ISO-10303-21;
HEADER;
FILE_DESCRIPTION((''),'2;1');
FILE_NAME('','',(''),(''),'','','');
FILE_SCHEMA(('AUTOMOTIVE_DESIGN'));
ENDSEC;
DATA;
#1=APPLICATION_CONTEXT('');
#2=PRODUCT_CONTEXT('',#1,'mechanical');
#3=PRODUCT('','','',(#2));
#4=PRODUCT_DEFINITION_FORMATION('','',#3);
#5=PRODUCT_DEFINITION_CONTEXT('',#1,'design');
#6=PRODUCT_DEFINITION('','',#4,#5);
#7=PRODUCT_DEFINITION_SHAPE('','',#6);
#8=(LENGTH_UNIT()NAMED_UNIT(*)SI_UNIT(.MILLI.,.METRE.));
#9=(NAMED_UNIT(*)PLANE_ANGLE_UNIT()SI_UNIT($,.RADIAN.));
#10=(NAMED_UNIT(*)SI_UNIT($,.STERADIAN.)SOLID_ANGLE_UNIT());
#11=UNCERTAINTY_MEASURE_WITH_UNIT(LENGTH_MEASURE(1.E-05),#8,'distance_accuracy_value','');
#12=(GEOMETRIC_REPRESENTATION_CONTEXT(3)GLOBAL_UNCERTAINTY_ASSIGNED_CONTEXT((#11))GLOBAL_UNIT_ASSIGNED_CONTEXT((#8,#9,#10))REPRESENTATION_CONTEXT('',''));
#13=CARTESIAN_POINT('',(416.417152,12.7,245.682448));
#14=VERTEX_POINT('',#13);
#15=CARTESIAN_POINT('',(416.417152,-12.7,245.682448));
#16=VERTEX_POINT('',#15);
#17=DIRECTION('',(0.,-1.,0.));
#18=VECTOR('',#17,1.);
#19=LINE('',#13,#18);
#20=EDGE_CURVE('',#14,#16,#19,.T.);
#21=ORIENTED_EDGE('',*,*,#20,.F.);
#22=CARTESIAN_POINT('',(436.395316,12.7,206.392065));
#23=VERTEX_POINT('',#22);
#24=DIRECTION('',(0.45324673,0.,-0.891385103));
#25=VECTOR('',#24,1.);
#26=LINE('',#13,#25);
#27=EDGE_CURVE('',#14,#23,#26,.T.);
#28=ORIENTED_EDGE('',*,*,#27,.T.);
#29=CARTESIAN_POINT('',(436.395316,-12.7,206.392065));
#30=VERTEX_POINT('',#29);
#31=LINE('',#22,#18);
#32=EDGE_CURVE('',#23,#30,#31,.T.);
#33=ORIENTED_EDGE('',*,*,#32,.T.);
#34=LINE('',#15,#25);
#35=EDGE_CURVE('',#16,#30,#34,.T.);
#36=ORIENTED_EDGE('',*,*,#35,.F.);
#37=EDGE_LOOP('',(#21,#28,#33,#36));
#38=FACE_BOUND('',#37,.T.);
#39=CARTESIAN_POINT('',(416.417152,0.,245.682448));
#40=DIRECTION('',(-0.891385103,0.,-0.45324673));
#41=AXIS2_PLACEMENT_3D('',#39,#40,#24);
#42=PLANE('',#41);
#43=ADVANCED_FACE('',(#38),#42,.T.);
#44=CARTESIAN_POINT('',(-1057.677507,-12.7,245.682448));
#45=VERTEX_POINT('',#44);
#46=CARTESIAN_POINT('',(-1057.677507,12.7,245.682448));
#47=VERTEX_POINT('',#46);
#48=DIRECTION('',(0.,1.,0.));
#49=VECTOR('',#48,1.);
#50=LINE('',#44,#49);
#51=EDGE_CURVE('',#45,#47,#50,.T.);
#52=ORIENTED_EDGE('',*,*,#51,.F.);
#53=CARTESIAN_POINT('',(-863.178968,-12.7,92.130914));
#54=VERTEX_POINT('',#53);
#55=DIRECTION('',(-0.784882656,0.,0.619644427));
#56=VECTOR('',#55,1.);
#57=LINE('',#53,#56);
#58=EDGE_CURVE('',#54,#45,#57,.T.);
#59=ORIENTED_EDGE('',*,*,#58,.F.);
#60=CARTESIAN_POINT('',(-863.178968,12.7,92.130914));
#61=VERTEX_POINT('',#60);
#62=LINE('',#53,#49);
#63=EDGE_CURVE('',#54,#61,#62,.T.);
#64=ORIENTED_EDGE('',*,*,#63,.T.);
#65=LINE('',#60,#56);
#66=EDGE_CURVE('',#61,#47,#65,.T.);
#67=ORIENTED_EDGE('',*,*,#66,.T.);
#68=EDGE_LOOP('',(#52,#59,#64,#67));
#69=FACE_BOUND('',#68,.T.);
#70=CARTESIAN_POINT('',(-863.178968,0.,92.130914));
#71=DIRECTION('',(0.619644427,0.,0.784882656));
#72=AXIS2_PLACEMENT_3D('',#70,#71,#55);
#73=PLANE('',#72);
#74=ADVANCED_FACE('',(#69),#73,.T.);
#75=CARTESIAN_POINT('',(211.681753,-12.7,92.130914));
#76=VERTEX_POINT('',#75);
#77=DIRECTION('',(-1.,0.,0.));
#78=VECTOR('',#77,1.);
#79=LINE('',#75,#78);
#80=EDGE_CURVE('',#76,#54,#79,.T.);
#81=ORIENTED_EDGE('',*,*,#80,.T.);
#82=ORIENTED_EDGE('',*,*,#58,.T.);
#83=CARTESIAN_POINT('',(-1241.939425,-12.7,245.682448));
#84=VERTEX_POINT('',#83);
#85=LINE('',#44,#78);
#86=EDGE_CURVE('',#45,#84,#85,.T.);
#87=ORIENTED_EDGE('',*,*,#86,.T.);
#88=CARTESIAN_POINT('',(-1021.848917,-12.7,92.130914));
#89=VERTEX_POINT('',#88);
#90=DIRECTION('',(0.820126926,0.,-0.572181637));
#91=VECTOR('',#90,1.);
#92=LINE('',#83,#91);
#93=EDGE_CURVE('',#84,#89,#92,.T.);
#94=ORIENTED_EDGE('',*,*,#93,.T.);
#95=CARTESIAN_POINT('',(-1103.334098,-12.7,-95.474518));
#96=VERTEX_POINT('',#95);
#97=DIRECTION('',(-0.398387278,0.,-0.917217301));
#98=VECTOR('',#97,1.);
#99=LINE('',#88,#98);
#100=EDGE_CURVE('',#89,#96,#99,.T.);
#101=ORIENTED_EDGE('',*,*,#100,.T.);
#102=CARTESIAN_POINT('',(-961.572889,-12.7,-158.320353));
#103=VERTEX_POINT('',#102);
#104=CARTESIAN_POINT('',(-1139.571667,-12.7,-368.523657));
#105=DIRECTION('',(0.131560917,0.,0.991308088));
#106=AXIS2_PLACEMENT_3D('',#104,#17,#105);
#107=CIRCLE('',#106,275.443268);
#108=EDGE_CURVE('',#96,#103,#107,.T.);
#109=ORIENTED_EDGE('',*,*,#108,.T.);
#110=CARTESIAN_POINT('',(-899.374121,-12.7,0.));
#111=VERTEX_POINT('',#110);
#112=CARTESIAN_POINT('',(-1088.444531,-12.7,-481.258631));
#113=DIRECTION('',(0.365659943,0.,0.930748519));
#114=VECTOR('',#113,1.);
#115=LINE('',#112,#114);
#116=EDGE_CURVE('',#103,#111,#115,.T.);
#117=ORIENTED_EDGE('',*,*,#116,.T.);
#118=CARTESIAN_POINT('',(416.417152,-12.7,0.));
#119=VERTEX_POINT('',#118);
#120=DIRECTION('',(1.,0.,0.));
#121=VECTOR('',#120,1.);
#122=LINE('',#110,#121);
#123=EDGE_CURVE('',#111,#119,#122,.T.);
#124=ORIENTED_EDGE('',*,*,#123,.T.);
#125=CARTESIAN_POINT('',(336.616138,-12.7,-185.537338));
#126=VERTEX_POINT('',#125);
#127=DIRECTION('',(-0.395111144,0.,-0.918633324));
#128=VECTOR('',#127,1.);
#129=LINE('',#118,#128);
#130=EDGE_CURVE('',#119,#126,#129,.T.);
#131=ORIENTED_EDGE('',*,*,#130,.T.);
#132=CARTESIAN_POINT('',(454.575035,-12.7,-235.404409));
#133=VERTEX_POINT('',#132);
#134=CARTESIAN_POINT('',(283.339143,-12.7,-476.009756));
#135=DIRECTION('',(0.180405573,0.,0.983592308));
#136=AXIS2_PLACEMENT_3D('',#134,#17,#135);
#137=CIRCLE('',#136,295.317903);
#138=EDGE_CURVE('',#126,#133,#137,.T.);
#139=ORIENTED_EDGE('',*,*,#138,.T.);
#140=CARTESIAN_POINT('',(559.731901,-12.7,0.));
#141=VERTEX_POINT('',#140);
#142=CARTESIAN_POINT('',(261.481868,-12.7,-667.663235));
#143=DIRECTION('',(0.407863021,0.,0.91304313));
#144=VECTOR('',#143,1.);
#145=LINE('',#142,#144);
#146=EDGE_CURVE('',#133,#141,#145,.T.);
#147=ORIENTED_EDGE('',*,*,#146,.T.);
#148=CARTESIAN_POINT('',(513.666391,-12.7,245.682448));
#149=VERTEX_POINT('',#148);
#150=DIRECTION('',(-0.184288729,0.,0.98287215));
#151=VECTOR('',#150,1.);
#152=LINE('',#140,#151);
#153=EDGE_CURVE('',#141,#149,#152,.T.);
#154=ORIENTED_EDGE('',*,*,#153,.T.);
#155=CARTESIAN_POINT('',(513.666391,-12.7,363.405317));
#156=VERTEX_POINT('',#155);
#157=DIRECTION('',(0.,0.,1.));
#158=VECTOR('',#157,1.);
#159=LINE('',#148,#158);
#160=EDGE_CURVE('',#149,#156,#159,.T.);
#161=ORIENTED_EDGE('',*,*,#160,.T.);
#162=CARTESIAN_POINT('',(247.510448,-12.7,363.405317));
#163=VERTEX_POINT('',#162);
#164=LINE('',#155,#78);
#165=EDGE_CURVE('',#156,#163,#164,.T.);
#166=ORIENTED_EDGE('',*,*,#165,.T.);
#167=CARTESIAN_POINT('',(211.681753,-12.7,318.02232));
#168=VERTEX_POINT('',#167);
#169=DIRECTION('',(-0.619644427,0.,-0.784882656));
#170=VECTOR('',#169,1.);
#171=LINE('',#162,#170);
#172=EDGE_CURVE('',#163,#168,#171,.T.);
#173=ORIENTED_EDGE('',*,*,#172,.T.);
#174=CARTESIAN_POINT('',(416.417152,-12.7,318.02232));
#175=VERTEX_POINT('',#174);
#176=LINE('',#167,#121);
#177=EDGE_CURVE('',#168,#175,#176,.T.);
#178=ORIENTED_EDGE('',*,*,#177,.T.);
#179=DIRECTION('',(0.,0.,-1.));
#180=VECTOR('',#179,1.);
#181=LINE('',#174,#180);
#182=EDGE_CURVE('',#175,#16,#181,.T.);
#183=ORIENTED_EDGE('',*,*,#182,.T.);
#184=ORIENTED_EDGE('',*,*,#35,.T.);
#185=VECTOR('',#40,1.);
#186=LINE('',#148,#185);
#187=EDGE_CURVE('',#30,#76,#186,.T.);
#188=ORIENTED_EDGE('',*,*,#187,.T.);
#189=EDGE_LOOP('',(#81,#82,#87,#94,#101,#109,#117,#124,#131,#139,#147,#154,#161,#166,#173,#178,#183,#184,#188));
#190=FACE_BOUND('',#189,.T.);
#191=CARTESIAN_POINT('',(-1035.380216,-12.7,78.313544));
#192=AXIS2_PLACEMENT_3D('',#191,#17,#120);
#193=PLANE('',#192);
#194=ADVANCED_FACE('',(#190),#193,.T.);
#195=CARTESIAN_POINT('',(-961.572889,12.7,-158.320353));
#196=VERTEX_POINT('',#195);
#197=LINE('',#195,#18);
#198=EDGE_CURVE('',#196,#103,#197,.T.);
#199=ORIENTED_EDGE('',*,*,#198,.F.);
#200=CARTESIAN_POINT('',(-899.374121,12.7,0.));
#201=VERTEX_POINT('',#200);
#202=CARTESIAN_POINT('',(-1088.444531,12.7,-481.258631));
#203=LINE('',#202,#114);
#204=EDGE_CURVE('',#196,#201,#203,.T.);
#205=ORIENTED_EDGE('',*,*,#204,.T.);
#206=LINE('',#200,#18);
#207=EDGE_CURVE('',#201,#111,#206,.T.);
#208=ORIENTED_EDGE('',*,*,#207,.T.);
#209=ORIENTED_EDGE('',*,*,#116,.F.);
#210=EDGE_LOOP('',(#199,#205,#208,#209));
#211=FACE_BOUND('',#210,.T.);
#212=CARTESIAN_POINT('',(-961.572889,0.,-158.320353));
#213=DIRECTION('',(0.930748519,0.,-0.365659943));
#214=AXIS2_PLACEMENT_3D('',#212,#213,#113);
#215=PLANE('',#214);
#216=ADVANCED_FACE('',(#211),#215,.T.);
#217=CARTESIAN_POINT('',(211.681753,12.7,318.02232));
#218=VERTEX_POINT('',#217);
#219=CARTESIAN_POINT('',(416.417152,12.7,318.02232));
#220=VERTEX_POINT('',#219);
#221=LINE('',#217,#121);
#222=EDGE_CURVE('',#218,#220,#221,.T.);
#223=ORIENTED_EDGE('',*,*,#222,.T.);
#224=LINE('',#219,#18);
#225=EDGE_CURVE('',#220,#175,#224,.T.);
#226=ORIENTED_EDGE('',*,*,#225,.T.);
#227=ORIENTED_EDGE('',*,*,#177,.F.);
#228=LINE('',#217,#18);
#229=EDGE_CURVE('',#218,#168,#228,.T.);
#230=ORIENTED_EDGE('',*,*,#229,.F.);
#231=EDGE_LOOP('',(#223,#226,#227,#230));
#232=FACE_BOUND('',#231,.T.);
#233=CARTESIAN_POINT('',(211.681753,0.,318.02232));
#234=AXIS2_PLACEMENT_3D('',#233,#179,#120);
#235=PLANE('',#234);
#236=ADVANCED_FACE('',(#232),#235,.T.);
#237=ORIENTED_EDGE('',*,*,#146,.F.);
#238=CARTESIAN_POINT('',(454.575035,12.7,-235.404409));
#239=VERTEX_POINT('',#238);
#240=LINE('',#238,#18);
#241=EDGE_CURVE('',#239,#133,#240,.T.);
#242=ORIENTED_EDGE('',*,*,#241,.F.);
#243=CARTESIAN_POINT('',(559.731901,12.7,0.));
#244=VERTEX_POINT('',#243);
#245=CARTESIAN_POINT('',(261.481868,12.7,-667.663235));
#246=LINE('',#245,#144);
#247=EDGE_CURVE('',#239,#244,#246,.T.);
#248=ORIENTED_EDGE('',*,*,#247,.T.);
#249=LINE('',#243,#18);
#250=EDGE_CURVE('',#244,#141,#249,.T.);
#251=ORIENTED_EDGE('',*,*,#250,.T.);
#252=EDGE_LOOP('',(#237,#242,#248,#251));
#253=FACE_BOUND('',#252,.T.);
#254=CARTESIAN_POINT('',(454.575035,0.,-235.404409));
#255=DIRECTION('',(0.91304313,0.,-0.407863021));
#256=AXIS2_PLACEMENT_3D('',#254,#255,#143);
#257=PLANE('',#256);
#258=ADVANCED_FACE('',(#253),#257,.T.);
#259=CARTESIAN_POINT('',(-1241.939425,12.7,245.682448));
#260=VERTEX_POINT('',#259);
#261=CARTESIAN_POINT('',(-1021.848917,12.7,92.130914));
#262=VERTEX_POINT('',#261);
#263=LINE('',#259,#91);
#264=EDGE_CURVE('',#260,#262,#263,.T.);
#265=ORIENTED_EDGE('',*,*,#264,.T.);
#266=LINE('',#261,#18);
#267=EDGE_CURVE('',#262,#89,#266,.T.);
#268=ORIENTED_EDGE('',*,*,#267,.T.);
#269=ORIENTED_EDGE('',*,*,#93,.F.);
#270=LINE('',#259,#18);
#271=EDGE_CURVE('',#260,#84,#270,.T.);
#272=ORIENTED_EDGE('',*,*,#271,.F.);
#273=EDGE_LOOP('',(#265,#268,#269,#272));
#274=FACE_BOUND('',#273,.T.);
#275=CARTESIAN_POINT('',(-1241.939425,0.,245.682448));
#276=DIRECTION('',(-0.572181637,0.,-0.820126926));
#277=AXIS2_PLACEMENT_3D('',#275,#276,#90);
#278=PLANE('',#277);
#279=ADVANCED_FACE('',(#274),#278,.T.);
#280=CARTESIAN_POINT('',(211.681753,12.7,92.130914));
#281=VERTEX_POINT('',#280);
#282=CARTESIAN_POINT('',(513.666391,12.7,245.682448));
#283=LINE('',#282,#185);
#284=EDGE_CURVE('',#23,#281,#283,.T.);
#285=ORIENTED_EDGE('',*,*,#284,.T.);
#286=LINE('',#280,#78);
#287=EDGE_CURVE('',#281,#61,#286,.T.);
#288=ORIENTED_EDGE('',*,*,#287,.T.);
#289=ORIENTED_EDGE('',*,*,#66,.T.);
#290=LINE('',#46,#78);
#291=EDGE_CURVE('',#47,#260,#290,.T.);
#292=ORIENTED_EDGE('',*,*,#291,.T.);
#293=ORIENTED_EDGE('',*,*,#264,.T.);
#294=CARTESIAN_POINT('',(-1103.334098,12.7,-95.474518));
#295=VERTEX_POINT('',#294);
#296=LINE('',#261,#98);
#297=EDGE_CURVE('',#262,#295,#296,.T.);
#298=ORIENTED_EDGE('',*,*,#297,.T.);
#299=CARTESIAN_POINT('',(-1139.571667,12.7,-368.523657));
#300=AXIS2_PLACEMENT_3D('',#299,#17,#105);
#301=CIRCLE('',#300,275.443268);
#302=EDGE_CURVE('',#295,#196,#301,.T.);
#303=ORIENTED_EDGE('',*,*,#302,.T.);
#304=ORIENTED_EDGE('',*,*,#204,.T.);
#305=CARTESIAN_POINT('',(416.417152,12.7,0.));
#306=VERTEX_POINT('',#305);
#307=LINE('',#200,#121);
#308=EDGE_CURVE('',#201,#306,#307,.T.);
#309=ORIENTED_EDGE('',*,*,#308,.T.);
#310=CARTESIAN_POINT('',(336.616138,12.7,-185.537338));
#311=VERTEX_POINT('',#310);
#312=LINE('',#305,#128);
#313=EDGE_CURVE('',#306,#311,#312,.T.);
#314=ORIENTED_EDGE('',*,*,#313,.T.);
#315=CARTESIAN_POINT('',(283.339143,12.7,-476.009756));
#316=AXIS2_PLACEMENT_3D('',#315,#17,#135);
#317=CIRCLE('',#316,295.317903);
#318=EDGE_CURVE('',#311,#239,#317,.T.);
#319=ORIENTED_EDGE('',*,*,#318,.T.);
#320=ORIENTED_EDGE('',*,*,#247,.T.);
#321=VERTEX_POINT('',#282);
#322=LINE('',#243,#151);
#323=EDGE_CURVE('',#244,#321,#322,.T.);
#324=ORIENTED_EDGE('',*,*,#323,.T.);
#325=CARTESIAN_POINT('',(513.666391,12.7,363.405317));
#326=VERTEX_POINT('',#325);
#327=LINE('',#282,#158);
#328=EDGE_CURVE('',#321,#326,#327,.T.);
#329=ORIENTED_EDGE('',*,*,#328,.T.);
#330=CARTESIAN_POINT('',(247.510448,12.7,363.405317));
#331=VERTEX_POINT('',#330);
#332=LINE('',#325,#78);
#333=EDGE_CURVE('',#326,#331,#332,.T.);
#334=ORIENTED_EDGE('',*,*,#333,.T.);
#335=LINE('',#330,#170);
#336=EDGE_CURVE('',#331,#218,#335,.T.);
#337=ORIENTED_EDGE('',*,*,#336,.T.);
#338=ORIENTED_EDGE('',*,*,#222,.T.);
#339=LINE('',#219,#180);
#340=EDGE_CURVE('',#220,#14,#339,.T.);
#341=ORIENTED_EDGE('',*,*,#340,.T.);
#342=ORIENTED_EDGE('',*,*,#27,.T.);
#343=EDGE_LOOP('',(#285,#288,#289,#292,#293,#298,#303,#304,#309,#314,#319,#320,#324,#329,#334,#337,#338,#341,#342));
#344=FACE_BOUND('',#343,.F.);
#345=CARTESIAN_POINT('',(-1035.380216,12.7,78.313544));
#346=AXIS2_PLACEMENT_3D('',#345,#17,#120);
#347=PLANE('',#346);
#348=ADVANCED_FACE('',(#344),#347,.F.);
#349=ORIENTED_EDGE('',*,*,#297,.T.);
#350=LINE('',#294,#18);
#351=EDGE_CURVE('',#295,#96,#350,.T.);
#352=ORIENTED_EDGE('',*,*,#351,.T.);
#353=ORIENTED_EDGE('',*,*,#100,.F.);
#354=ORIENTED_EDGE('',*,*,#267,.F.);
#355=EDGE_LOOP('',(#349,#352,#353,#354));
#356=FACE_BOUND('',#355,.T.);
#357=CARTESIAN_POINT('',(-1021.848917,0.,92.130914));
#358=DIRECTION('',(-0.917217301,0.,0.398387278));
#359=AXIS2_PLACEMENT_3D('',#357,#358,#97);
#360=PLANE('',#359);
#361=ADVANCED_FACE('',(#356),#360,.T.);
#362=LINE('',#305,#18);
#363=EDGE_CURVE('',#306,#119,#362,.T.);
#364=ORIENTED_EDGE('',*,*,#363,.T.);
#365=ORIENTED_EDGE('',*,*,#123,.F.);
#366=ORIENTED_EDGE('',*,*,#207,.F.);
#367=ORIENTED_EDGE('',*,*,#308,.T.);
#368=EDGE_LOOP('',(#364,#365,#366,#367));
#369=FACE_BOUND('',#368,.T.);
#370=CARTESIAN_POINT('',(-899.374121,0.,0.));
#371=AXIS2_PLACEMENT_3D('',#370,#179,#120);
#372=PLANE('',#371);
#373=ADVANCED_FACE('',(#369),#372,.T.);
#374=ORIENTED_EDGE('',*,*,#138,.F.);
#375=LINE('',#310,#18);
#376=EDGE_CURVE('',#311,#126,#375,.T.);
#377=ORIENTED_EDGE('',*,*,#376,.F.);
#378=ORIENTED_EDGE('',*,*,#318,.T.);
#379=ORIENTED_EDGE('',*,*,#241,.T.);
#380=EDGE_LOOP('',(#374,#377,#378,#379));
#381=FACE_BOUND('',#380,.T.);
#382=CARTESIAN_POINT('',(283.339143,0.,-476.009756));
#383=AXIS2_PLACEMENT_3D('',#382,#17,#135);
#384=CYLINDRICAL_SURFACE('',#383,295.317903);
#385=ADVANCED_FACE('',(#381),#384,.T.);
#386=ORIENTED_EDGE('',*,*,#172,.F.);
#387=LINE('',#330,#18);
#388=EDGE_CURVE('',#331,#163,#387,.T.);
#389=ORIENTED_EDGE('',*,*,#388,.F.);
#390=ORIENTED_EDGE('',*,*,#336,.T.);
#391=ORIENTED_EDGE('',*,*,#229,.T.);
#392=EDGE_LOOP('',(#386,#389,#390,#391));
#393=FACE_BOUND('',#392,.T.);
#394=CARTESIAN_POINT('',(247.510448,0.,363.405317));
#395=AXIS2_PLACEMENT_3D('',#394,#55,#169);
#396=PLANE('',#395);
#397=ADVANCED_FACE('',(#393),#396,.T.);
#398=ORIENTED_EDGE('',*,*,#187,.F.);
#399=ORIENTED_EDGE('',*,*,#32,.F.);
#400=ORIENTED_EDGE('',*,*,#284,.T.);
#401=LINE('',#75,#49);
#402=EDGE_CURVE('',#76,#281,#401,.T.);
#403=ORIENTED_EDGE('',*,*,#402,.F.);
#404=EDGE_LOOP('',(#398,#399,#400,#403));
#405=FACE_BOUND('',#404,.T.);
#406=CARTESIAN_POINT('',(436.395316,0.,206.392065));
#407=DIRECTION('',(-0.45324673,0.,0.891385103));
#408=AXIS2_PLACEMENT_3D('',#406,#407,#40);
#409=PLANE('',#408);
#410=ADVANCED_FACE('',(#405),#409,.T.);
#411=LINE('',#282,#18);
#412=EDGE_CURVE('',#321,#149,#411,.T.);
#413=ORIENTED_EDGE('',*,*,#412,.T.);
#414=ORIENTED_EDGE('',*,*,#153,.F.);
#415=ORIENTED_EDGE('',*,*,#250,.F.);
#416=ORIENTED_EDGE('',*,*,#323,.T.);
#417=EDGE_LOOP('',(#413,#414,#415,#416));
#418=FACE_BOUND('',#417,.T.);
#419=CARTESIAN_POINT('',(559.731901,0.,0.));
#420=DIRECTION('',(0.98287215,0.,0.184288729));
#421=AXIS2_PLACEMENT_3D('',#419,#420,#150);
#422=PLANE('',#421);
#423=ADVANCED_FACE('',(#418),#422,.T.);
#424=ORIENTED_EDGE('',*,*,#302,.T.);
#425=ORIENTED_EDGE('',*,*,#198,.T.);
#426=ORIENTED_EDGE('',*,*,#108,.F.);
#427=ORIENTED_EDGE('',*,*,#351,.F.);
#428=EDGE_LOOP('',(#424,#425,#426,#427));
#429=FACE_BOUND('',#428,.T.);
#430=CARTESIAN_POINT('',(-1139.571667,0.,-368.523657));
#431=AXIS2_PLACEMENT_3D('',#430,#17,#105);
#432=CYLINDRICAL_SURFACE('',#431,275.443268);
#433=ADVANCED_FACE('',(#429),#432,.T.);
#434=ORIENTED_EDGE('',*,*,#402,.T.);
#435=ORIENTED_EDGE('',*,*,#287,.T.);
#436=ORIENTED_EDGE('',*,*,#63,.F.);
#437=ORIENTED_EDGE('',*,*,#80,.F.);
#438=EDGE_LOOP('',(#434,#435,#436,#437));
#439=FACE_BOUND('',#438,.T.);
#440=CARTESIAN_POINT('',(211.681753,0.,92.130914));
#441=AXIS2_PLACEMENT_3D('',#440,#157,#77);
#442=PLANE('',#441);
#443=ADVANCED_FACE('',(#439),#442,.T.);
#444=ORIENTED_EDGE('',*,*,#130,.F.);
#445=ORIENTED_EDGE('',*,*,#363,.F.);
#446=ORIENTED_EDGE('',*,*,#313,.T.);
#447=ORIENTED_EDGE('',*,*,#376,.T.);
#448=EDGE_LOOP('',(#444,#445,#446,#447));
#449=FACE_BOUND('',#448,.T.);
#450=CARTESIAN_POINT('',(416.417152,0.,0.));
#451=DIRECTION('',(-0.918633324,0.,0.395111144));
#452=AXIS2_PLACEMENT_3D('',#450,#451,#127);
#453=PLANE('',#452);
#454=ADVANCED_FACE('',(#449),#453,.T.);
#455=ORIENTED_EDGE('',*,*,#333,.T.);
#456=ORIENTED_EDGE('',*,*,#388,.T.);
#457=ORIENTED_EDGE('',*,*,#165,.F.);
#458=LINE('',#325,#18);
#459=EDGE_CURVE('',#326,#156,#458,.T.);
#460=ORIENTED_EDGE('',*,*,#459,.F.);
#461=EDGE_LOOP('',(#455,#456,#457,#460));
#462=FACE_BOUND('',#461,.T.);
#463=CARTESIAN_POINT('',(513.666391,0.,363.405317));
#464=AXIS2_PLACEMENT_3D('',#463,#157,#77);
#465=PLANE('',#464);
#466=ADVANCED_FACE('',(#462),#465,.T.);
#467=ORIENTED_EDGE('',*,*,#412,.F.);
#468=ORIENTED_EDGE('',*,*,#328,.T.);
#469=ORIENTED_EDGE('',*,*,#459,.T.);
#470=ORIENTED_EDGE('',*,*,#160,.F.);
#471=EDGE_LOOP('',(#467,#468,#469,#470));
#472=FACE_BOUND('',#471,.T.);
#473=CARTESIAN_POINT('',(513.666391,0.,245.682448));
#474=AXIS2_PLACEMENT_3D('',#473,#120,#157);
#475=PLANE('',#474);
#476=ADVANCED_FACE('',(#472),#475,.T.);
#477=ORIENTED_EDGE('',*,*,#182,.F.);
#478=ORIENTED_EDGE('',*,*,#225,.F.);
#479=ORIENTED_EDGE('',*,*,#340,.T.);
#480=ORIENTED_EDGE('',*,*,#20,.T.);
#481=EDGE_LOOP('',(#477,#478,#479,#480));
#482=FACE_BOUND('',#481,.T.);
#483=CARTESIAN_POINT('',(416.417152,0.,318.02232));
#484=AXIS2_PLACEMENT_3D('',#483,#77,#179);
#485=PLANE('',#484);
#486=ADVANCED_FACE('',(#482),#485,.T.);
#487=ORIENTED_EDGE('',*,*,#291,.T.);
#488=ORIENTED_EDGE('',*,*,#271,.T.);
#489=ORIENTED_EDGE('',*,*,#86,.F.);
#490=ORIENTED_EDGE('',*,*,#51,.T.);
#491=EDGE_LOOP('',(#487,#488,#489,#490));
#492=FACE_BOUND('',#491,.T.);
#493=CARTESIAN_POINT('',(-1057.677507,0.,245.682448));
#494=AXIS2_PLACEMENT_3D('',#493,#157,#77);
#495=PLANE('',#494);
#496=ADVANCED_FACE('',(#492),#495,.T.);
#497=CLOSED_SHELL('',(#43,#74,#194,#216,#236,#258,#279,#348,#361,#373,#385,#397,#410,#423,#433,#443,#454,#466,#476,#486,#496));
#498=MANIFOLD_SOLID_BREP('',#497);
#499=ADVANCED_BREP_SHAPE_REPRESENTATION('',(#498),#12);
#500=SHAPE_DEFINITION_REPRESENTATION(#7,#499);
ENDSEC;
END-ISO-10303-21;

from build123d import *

# Parameters (mm, degrees)
F1_DEPTH = 12.7


with BuildPart() as f1:
    # F0 (on Front) → F1 (new body, symmetric)
    with BuildSketch(Plane.XZ):
        with BuildLine():
            Line((-1057.6775074005, 245.6824481487), (-1241.9394254684, 245.6824481487))
            Line((-1241.9394254684, 245.6824481487), (-1021.8489170074, 92.1309143305))
            Line((-1021.8489170074, 92.1309143305), (-1103.3340978601, -95.4745180888))
            ThreePointArc((-1103.3340978601, -95.4745180888), (-1027.9396697244, -116.715613209), (-961.5728893811, -158.3203531153))
            Line((-961.5728893811, -158.3203531153), (-899.3741212602, 0))
            Line((-899.3741212602, 0), (-863.1789684296, 92.1309143305))
            Line((-863.1789684296, 92.1309143305), (-1057.6775074005, 245.6824481487))
        make_face()
        with BuildLine():
            Line((211.681753397, 92.1309143305), (-863.1789684296, 92.1309143305))
            Line((-863.1789684296, 92.1309143305), (-899.3741212602, 0))
            Line((-899.3741212602, 0), (211.681753397, 0))
            Line((211.681753397, 0), (416.4171516895, 0))
            Line((416.4171516895, 0), (336.6161384409, -185.5373383788))
            ThreePointArc((336.6161384409, -185.5373383788), (398.331274837, -203.9996950743), (454.5750353168, -235.4044094059))
            Line((454.5750353168, -235.4044094059), (559.731900692, 0))
            Line((559.731900692, 0), (513.6663913727, 245.6824481487))
            Line((513.6663913727, 245.6824481487), (436.3953157007, 206.3920648075))
            Line((436.3953157007, 206.3920648075), (211.681753397, 92.1309143305))
        make_face()
        with BuildLine():
            ThreePointArc((-961.5728893811, -158.3203531153), (-1027.9396697244, -116.715613209), (-1103.3340978601, -95.4745180888))
            Line((-1103.3340978601, -95.4745180888), (-1241.9394254684, -414.5891368389))
            Line((-1241.9394254684, -414.5891368389), (-1088.444530714, -481.2586308815))
            Line((-1088.444530714, -481.2586308815), (-961.5728893811, -158.3203531153))
        make_face()
        with BuildLine():
            Line((-1241.9394254684, -414.5891368389), (-1103.3340978601, -95.4745180888))
            ThreePointArc((-1103.3340978601, -95.4745180888), (-1346.7556287169, -550.0279264807), (-864.1283988154, -368.5236573219))
            ThreePointArc((-864.1283988154, -368.5236573219), (-889.6741289698, -252.6780080284), (-961.5728893811, -158.3203531153))
            Line((-961.5728893811, -158.3203531153), (-1088.444530714, -481.2586308815))
            Line((-1088.444530714, -481.2586308815), (-1241.9394254684, -414.5891368389))
        make_face()
        Polygon((416.4171516895, 245.6824481487), (436.3953157007, 206.3920648075), (513.6663913727, 245.6824481487), (513.6663913727, 363.4053170681), (247.5104480982, 363.4053170681), (211.681753397, 318.0223202374), (416.4171516895, 318.0223202374), align=None)
        with BuildLine():
            ThreePointArc((454.5750353168, -235.4044094059), (398.331274837, -203.9996950743), (336.6161384409, -185.5373383788))
            Line((336.6161384409, -185.5373383788), (211.681753397, -476.0097563267))
            Line((211.681753397, -476.0097563267), (140.0243788958, -593.7325954437))
            Line((140.0243788958, -593.7325954437), (261.4818676175, -667.6632347367))
            Line((261.4818676175, -667.6632347367), (454.5750353168, -235.4044094059))
        make_face()
        with BuildLine():
            Line((211.681753397, -476.0097563267), (336.6161384409, -185.5373383788))
            ThreePointArc((336.6161384409, -185.5373383788), (56.4621778096, -665.058709273), (578.6570458345, -476.0097563267))
            ThreePointArc((578.6570458345, -476.0097563267), (545.8097969263, -340.6516402965), (454.5750353168, -235.4044094059))
            Line((454.5750353168, -235.4044094059), (261.4818676175, -667.6632347367))
            Line((261.4818676175, -667.6632347367), (140.0243788958, -593.7325954437))
            Line((140.0243788958, -593.7325954437), (211.681753397, -476.0097563267))
        make_face()
    extrude(amount=F1_DEPTH, both=True)


solid = f1.part
